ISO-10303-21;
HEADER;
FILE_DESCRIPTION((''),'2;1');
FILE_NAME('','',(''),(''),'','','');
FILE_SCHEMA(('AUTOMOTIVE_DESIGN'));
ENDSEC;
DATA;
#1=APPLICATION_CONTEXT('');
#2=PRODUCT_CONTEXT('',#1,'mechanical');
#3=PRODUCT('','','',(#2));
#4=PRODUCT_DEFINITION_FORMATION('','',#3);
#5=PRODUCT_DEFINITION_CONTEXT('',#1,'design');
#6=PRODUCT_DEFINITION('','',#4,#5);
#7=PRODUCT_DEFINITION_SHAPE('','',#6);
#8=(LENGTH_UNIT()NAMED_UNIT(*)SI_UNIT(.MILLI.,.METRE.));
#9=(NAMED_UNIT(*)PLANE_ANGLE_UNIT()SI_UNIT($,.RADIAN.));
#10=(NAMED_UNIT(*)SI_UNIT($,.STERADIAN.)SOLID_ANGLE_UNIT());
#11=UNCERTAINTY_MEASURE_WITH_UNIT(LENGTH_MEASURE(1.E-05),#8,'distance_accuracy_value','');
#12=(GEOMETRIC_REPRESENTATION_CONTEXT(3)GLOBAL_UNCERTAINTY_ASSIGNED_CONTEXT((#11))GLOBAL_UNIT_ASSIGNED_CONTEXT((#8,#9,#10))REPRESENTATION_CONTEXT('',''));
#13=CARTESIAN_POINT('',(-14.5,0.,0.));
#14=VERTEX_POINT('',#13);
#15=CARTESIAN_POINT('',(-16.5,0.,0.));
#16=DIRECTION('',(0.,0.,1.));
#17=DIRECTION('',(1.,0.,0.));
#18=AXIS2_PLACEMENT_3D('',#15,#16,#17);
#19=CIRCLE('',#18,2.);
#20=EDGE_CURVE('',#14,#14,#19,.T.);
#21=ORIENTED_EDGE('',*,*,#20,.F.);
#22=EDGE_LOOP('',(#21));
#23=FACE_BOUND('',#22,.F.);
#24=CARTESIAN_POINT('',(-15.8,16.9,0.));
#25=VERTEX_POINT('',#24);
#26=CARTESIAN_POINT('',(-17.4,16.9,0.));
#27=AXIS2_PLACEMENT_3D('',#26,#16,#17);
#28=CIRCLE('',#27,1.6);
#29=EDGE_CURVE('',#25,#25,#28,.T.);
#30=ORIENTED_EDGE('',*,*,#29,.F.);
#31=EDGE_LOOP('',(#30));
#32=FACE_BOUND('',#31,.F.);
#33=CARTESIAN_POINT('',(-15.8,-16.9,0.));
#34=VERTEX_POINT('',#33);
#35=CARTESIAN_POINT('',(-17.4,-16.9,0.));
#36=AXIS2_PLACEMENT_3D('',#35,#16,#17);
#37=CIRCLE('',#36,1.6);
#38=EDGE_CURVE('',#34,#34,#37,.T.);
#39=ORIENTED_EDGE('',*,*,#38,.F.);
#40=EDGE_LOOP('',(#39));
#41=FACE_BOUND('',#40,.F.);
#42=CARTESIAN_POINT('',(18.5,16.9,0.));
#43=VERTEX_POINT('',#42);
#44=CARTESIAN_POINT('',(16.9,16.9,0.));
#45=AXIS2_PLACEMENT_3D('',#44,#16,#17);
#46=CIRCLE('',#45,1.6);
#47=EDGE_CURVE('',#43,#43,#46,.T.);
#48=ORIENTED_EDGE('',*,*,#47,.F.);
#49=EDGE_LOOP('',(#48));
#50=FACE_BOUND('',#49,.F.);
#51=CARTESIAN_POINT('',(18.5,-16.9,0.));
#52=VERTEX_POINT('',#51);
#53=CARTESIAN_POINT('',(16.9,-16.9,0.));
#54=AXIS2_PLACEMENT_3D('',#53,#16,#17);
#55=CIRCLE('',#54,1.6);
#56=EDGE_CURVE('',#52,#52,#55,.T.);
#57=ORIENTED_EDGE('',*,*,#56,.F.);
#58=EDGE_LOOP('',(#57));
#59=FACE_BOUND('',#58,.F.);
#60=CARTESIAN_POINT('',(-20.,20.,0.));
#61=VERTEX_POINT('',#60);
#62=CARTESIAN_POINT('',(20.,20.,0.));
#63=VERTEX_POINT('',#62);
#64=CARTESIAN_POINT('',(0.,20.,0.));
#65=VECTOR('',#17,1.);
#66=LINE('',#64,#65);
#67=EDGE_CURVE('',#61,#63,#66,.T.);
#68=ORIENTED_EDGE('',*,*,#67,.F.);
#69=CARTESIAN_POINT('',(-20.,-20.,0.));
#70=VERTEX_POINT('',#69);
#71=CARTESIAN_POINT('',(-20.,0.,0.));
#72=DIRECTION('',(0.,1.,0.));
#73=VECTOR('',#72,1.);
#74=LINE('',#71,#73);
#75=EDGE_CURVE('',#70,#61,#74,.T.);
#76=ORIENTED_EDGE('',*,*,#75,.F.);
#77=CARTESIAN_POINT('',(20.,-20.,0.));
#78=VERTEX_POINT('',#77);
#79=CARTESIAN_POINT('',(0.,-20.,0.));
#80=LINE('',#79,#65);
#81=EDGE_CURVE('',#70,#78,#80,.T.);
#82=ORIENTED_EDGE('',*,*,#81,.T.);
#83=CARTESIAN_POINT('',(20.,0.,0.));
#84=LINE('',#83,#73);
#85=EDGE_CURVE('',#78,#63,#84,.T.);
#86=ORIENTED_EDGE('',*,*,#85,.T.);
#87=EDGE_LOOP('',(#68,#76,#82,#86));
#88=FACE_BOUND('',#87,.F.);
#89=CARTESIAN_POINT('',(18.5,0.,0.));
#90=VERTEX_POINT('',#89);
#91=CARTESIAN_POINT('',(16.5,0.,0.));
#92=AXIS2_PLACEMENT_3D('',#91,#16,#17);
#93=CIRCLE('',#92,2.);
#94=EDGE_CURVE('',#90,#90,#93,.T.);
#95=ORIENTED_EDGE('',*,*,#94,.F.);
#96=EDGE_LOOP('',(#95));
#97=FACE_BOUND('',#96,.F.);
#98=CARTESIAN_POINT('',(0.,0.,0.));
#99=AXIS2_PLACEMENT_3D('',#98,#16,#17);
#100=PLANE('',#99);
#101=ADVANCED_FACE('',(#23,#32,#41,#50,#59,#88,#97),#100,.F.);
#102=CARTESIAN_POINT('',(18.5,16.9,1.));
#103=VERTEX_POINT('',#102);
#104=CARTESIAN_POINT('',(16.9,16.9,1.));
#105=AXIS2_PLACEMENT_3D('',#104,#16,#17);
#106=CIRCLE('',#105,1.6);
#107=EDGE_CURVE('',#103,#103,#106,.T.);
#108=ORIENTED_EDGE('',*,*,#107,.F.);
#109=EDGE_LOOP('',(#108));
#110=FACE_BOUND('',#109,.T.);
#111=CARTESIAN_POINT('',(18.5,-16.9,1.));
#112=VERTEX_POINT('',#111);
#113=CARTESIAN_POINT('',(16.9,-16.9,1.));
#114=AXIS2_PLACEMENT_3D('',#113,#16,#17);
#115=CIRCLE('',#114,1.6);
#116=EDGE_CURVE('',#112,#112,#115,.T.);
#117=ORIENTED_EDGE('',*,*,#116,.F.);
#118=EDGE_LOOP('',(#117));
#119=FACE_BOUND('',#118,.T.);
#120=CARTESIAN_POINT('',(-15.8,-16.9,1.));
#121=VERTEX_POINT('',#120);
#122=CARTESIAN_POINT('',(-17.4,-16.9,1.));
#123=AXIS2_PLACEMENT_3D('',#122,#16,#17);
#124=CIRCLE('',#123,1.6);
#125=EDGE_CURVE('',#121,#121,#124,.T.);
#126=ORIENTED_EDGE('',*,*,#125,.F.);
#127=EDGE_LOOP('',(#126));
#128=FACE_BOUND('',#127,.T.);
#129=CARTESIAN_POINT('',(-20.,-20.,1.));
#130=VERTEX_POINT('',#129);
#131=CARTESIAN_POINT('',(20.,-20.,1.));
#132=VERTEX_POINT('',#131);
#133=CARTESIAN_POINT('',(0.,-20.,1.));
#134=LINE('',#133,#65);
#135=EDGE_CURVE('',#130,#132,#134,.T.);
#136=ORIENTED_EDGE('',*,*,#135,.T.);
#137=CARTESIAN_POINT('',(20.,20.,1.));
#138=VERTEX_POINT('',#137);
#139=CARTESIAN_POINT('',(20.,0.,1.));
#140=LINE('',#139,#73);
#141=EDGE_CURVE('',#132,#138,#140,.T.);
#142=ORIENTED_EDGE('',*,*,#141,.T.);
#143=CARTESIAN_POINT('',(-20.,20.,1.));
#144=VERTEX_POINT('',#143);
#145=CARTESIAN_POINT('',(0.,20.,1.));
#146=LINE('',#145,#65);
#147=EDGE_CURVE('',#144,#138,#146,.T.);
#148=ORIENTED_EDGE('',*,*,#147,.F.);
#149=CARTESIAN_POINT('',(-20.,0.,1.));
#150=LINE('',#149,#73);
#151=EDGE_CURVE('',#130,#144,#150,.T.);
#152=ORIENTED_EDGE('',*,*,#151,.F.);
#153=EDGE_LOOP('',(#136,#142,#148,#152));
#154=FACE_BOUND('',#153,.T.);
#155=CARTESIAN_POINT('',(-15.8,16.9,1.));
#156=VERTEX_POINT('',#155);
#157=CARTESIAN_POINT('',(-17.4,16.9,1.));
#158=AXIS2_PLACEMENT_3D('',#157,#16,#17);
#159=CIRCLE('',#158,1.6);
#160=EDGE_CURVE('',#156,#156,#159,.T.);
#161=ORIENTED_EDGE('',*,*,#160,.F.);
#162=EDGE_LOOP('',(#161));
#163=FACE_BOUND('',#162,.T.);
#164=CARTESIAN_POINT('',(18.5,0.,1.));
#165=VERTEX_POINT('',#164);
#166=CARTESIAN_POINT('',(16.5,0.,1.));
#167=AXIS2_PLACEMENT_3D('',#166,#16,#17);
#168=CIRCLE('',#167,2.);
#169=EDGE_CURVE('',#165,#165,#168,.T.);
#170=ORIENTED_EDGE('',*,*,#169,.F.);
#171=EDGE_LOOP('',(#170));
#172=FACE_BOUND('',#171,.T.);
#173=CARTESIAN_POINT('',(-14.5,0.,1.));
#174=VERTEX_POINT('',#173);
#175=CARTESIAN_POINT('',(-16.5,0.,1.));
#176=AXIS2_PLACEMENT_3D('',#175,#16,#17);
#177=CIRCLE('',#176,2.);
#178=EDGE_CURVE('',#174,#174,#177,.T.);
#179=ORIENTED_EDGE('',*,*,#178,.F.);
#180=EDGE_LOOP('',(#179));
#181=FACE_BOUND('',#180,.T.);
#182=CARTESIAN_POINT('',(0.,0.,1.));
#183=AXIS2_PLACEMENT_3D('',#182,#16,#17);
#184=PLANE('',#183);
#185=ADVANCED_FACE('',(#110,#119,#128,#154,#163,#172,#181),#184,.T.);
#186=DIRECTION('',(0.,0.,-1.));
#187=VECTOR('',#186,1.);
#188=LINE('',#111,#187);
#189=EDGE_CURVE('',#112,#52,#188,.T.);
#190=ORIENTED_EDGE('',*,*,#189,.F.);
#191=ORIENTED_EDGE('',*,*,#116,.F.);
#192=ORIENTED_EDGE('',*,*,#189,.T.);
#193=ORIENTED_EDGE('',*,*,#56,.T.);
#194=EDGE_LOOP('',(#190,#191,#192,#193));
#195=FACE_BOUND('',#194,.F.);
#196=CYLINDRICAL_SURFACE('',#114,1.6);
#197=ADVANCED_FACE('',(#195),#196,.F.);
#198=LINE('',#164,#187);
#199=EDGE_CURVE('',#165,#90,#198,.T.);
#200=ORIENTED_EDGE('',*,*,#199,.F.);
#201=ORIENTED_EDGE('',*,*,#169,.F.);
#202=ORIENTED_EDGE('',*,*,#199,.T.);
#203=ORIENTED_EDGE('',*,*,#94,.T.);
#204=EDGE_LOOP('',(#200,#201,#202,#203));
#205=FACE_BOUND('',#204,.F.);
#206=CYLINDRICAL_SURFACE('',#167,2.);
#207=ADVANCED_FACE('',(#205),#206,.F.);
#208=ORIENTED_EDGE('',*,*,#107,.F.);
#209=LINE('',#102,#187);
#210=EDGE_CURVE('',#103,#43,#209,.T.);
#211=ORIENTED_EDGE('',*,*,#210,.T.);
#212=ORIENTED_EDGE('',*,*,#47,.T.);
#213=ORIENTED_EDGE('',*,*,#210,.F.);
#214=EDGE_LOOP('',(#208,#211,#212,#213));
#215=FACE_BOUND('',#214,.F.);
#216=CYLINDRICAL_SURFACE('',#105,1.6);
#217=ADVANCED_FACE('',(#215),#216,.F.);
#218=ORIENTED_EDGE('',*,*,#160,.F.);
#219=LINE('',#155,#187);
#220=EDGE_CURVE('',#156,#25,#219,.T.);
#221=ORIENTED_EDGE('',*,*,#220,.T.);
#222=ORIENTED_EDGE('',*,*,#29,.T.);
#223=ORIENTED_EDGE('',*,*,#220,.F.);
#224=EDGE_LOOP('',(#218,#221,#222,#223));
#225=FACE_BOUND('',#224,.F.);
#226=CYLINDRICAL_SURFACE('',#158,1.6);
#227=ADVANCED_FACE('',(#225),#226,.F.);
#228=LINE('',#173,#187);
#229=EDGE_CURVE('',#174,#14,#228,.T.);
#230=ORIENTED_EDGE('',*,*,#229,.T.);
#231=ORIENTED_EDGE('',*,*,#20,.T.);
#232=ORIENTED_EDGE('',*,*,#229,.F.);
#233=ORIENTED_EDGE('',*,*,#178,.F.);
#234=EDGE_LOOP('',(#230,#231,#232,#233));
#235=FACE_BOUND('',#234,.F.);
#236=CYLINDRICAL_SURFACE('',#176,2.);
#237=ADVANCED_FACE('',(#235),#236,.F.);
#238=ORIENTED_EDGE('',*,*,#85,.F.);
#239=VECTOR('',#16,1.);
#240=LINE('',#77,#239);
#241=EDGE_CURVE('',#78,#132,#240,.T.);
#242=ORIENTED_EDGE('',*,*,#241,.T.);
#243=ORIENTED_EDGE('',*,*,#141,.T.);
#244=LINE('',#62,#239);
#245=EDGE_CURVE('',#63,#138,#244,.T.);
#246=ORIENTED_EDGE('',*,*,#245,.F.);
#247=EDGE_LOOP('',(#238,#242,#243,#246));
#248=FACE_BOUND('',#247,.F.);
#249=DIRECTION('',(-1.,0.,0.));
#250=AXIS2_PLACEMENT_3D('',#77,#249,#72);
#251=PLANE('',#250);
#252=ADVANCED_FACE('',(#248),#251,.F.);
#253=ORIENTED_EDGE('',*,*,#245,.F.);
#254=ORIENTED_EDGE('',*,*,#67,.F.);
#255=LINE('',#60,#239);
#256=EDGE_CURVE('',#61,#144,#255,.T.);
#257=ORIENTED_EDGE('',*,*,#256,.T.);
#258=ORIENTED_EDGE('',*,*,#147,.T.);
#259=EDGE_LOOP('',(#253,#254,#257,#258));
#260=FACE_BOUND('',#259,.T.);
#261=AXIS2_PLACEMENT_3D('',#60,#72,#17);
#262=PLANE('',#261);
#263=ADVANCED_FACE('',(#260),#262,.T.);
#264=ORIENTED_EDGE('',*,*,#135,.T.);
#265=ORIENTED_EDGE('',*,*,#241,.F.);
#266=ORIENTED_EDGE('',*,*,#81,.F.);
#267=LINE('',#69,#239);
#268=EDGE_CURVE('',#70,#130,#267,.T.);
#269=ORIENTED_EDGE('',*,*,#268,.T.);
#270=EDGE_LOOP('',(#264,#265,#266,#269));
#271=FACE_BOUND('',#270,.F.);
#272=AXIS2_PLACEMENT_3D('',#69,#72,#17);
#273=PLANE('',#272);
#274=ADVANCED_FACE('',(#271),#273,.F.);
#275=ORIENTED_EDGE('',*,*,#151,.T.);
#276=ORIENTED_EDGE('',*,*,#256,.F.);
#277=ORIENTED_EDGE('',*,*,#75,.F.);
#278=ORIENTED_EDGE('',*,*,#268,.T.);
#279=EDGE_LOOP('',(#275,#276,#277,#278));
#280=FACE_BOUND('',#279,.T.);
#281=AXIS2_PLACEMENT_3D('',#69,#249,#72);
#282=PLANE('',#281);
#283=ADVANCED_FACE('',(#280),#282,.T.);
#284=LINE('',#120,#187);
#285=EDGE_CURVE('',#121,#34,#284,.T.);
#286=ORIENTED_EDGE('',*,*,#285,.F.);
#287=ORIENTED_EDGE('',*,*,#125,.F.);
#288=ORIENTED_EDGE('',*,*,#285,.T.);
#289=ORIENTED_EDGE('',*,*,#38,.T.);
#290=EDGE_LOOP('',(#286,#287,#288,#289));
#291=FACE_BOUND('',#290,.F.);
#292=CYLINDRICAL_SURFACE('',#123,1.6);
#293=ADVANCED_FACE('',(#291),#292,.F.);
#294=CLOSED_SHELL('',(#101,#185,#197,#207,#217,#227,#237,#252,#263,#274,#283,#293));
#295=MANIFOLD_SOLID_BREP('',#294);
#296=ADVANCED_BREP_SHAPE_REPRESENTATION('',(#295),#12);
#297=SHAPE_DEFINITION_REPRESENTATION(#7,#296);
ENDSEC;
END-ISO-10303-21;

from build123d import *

# Parameters (mm, degrees)
SKETCH1_W           = 40
SKETCH1_H           = 40
BOSS_EXTRUDE1_DEPTH = 1
SKETCH2_R           = 1.6
SKETCH2_R_2         = 2
CUT_EXTRUDE1_DEPTH  = 10


with BuildPart() as part:
    # Sketch1 → Boss-Extrude1 (new body)
    with BuildSketch(Plane.XY):
        Rectangle(SKETCH1_W, SKETCH1_H)
    extrude(amount=BOSS_EXTRUDE1_DEPTH)

    # Sketch2 → Cut-Extrude1 (cut)
    with BuildSketch(Plane.XY.offset(1)):
        with Locations((-17.4, -16.9)):
            Circle(SKETCH2_R)
        with Locations((16.9, -16.9)):
            Circle(SKETCH2_R)
        with Locations((16.9, 16.9)):
            Circle(SKETCH2_R)
        with Locations((-17.4, 16.9)):
            Circle(SKETCH2_R)
        with Locations((16.5, 0)):
            Circle(SKETCH2_R_2)
        with Locations((-16.5, 0)):
            Circle(SKETCH2_R_2)
    extrude(amount=-CUT_EXTRUDE1_DEPTH, mode=Mode.SUBTRACT)


solid = part.part
